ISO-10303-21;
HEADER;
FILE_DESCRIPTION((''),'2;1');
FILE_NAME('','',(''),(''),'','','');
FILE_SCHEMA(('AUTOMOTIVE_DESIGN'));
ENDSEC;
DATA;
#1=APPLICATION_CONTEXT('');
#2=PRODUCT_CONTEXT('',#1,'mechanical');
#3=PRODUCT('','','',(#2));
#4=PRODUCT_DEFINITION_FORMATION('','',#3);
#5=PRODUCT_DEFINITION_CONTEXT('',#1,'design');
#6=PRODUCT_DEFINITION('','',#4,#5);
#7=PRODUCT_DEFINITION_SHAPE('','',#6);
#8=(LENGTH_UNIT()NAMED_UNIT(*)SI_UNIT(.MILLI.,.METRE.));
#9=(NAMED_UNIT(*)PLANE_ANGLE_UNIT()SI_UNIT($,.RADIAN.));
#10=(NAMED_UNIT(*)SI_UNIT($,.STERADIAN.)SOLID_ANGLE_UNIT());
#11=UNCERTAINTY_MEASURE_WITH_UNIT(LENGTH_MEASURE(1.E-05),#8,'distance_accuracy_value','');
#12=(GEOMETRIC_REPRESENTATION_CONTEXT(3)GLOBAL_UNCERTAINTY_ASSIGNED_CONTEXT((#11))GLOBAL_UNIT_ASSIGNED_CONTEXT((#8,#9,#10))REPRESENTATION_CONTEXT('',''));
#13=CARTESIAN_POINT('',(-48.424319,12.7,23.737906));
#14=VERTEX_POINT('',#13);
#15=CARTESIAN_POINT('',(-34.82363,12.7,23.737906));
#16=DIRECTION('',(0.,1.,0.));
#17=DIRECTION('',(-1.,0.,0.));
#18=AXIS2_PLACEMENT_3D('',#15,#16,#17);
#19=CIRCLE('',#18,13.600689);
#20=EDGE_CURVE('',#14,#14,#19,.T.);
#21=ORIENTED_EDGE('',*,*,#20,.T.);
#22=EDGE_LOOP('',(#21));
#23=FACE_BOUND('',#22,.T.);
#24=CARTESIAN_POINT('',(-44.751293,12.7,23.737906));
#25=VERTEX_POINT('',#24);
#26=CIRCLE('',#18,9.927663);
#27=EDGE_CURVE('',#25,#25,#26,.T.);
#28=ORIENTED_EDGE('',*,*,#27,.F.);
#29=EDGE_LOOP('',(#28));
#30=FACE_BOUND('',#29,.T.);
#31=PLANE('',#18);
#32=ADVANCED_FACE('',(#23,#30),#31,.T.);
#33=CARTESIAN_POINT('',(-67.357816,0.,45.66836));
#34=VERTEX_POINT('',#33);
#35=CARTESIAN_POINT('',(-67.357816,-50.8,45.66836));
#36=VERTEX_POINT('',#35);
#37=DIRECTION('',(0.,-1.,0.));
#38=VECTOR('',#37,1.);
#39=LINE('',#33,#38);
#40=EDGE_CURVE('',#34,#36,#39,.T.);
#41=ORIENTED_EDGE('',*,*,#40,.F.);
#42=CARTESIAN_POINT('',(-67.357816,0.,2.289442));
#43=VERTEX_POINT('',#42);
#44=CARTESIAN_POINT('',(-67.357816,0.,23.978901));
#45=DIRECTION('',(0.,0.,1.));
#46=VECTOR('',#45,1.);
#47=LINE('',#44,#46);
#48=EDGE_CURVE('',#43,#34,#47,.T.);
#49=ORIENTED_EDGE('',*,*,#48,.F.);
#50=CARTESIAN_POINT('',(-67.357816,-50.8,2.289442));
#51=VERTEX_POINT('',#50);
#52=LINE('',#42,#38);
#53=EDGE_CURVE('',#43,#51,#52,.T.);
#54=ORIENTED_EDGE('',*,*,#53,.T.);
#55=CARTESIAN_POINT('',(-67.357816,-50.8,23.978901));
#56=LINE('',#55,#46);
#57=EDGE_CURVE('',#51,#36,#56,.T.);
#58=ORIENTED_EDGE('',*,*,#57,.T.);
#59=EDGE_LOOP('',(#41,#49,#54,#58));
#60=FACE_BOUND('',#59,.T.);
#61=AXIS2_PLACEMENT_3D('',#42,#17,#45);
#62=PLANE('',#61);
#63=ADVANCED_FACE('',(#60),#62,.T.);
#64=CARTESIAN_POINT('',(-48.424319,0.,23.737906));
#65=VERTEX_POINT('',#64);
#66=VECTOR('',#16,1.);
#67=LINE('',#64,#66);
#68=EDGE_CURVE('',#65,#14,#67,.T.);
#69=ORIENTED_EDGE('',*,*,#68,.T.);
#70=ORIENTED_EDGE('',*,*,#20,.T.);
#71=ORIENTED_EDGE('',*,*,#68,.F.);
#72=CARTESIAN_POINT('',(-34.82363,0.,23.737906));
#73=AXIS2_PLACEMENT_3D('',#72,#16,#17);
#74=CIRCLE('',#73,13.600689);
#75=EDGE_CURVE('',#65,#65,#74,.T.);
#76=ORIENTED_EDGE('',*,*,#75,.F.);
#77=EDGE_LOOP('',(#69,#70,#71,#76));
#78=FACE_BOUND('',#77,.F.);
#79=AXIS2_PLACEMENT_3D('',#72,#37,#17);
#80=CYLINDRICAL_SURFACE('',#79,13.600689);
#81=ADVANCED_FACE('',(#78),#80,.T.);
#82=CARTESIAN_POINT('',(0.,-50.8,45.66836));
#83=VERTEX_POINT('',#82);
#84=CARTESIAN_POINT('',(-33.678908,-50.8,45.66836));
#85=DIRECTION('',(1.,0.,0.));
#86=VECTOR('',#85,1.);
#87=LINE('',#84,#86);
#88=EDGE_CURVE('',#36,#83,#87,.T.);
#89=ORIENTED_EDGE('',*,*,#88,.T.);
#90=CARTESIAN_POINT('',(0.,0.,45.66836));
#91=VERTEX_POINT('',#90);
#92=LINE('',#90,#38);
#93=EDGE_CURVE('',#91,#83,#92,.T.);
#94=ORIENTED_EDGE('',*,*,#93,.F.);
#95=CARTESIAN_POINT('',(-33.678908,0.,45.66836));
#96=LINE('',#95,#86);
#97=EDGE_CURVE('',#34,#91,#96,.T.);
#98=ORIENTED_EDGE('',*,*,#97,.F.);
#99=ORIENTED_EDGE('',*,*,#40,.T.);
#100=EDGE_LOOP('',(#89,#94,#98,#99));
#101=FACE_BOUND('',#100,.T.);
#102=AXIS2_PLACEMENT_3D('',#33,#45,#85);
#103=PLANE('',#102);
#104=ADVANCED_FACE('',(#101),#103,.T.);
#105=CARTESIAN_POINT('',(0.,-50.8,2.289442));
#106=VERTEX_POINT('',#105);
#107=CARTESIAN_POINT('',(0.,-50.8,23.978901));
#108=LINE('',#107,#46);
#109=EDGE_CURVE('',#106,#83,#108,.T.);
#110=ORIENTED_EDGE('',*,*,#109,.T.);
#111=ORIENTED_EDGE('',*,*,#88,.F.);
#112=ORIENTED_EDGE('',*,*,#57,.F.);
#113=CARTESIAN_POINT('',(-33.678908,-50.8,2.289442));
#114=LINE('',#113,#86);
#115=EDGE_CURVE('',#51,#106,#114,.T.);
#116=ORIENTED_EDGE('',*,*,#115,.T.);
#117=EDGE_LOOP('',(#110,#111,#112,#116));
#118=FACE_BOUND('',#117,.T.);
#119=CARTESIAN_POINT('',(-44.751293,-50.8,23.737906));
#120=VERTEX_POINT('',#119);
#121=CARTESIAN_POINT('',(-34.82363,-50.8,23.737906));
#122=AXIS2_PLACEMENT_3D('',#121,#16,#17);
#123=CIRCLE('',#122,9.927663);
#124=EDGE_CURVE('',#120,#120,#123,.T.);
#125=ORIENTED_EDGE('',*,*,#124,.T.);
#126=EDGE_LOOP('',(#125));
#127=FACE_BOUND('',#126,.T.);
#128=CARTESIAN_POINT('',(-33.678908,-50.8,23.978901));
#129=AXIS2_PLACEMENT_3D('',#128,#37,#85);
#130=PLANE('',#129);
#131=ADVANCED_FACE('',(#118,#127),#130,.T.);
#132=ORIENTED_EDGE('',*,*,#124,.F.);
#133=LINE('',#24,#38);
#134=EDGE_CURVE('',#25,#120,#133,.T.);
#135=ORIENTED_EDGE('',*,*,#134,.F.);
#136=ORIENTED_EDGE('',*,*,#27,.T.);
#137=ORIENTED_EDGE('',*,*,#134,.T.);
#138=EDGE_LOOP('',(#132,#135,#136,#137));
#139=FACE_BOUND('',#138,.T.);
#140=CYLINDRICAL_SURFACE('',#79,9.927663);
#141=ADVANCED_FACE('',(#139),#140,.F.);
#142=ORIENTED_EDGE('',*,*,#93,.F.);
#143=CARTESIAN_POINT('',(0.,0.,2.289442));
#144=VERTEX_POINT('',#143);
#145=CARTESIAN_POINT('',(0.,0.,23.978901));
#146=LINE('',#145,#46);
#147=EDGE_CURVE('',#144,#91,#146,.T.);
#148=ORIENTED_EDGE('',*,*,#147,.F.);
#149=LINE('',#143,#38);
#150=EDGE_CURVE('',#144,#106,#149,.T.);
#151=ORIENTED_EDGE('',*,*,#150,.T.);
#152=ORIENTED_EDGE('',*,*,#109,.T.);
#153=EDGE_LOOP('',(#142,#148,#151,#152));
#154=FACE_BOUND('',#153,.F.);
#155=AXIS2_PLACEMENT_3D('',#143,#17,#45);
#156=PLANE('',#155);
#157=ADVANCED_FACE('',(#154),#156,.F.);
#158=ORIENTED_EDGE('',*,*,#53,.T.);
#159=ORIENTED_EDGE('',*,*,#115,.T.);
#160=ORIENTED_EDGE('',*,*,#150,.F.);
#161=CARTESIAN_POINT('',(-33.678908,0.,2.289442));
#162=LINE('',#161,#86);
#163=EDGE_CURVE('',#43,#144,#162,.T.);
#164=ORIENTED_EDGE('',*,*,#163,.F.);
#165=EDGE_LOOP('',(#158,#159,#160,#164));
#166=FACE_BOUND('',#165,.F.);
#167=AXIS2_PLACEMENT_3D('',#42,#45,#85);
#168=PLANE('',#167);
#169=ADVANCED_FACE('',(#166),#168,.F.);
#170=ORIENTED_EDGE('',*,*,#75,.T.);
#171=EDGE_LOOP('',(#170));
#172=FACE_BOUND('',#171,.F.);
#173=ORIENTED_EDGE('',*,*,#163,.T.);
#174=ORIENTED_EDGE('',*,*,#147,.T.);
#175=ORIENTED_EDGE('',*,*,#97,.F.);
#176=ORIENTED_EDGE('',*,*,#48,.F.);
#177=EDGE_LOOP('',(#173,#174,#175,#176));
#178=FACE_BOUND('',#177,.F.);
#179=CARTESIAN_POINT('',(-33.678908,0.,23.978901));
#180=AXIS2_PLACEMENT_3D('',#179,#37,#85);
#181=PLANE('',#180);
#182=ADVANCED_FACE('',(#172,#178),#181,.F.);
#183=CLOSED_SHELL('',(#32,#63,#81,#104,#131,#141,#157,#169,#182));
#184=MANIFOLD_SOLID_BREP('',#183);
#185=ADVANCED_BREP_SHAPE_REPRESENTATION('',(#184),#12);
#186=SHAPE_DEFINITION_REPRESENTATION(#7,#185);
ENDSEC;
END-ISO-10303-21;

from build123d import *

# Parameters (mm, degrees)
F0_W     = 67.357816
F0_H     = 43.378917
F1_DEPTH = 50.8
F2_R     = 9.927663
F3_DEPTH = 50.8
F2_R_2   = 13.600689
F4_DEPTH = 12.7


with BuildPart() as f1:
    # F0 (on Front) → F1 (new body)
    with BuildSketch(Plane.XZ):
        with Locations((-33.678908, 23.978901)):
            Rectangle(F0_W, F0_H)
    extrude(amount=F1_DEPTH)

    # F2 (on face) → F3 (cut)
    with BuildSketch(Plane(origin=(0, 0, 0), x_dir=(-1, 0, 0), z_dir=(0, 1, 0))):
        with Locations((34.82363, 23.737906)):
            Circle(F2_R)
    extrude(amount=-F3_DEPTH, mode=Mode.SUBTRACT)

    # F2 (on face) → F4 (join)
    with BuildSketch(Plane(origin=(0, 0, 0), x_dir=(-1, 0, 0), z_dir=(0, 1, 0))):
        with Locations((34.82363, 23.737906)):
            Circle(F2_R_2)
        with Locations((34.82363, 23.737906)):
            Circle(F2_R, mode=Mode.SUBTRACT)
    extrude(amount=F4_DEPTH)


solid = f1.part
